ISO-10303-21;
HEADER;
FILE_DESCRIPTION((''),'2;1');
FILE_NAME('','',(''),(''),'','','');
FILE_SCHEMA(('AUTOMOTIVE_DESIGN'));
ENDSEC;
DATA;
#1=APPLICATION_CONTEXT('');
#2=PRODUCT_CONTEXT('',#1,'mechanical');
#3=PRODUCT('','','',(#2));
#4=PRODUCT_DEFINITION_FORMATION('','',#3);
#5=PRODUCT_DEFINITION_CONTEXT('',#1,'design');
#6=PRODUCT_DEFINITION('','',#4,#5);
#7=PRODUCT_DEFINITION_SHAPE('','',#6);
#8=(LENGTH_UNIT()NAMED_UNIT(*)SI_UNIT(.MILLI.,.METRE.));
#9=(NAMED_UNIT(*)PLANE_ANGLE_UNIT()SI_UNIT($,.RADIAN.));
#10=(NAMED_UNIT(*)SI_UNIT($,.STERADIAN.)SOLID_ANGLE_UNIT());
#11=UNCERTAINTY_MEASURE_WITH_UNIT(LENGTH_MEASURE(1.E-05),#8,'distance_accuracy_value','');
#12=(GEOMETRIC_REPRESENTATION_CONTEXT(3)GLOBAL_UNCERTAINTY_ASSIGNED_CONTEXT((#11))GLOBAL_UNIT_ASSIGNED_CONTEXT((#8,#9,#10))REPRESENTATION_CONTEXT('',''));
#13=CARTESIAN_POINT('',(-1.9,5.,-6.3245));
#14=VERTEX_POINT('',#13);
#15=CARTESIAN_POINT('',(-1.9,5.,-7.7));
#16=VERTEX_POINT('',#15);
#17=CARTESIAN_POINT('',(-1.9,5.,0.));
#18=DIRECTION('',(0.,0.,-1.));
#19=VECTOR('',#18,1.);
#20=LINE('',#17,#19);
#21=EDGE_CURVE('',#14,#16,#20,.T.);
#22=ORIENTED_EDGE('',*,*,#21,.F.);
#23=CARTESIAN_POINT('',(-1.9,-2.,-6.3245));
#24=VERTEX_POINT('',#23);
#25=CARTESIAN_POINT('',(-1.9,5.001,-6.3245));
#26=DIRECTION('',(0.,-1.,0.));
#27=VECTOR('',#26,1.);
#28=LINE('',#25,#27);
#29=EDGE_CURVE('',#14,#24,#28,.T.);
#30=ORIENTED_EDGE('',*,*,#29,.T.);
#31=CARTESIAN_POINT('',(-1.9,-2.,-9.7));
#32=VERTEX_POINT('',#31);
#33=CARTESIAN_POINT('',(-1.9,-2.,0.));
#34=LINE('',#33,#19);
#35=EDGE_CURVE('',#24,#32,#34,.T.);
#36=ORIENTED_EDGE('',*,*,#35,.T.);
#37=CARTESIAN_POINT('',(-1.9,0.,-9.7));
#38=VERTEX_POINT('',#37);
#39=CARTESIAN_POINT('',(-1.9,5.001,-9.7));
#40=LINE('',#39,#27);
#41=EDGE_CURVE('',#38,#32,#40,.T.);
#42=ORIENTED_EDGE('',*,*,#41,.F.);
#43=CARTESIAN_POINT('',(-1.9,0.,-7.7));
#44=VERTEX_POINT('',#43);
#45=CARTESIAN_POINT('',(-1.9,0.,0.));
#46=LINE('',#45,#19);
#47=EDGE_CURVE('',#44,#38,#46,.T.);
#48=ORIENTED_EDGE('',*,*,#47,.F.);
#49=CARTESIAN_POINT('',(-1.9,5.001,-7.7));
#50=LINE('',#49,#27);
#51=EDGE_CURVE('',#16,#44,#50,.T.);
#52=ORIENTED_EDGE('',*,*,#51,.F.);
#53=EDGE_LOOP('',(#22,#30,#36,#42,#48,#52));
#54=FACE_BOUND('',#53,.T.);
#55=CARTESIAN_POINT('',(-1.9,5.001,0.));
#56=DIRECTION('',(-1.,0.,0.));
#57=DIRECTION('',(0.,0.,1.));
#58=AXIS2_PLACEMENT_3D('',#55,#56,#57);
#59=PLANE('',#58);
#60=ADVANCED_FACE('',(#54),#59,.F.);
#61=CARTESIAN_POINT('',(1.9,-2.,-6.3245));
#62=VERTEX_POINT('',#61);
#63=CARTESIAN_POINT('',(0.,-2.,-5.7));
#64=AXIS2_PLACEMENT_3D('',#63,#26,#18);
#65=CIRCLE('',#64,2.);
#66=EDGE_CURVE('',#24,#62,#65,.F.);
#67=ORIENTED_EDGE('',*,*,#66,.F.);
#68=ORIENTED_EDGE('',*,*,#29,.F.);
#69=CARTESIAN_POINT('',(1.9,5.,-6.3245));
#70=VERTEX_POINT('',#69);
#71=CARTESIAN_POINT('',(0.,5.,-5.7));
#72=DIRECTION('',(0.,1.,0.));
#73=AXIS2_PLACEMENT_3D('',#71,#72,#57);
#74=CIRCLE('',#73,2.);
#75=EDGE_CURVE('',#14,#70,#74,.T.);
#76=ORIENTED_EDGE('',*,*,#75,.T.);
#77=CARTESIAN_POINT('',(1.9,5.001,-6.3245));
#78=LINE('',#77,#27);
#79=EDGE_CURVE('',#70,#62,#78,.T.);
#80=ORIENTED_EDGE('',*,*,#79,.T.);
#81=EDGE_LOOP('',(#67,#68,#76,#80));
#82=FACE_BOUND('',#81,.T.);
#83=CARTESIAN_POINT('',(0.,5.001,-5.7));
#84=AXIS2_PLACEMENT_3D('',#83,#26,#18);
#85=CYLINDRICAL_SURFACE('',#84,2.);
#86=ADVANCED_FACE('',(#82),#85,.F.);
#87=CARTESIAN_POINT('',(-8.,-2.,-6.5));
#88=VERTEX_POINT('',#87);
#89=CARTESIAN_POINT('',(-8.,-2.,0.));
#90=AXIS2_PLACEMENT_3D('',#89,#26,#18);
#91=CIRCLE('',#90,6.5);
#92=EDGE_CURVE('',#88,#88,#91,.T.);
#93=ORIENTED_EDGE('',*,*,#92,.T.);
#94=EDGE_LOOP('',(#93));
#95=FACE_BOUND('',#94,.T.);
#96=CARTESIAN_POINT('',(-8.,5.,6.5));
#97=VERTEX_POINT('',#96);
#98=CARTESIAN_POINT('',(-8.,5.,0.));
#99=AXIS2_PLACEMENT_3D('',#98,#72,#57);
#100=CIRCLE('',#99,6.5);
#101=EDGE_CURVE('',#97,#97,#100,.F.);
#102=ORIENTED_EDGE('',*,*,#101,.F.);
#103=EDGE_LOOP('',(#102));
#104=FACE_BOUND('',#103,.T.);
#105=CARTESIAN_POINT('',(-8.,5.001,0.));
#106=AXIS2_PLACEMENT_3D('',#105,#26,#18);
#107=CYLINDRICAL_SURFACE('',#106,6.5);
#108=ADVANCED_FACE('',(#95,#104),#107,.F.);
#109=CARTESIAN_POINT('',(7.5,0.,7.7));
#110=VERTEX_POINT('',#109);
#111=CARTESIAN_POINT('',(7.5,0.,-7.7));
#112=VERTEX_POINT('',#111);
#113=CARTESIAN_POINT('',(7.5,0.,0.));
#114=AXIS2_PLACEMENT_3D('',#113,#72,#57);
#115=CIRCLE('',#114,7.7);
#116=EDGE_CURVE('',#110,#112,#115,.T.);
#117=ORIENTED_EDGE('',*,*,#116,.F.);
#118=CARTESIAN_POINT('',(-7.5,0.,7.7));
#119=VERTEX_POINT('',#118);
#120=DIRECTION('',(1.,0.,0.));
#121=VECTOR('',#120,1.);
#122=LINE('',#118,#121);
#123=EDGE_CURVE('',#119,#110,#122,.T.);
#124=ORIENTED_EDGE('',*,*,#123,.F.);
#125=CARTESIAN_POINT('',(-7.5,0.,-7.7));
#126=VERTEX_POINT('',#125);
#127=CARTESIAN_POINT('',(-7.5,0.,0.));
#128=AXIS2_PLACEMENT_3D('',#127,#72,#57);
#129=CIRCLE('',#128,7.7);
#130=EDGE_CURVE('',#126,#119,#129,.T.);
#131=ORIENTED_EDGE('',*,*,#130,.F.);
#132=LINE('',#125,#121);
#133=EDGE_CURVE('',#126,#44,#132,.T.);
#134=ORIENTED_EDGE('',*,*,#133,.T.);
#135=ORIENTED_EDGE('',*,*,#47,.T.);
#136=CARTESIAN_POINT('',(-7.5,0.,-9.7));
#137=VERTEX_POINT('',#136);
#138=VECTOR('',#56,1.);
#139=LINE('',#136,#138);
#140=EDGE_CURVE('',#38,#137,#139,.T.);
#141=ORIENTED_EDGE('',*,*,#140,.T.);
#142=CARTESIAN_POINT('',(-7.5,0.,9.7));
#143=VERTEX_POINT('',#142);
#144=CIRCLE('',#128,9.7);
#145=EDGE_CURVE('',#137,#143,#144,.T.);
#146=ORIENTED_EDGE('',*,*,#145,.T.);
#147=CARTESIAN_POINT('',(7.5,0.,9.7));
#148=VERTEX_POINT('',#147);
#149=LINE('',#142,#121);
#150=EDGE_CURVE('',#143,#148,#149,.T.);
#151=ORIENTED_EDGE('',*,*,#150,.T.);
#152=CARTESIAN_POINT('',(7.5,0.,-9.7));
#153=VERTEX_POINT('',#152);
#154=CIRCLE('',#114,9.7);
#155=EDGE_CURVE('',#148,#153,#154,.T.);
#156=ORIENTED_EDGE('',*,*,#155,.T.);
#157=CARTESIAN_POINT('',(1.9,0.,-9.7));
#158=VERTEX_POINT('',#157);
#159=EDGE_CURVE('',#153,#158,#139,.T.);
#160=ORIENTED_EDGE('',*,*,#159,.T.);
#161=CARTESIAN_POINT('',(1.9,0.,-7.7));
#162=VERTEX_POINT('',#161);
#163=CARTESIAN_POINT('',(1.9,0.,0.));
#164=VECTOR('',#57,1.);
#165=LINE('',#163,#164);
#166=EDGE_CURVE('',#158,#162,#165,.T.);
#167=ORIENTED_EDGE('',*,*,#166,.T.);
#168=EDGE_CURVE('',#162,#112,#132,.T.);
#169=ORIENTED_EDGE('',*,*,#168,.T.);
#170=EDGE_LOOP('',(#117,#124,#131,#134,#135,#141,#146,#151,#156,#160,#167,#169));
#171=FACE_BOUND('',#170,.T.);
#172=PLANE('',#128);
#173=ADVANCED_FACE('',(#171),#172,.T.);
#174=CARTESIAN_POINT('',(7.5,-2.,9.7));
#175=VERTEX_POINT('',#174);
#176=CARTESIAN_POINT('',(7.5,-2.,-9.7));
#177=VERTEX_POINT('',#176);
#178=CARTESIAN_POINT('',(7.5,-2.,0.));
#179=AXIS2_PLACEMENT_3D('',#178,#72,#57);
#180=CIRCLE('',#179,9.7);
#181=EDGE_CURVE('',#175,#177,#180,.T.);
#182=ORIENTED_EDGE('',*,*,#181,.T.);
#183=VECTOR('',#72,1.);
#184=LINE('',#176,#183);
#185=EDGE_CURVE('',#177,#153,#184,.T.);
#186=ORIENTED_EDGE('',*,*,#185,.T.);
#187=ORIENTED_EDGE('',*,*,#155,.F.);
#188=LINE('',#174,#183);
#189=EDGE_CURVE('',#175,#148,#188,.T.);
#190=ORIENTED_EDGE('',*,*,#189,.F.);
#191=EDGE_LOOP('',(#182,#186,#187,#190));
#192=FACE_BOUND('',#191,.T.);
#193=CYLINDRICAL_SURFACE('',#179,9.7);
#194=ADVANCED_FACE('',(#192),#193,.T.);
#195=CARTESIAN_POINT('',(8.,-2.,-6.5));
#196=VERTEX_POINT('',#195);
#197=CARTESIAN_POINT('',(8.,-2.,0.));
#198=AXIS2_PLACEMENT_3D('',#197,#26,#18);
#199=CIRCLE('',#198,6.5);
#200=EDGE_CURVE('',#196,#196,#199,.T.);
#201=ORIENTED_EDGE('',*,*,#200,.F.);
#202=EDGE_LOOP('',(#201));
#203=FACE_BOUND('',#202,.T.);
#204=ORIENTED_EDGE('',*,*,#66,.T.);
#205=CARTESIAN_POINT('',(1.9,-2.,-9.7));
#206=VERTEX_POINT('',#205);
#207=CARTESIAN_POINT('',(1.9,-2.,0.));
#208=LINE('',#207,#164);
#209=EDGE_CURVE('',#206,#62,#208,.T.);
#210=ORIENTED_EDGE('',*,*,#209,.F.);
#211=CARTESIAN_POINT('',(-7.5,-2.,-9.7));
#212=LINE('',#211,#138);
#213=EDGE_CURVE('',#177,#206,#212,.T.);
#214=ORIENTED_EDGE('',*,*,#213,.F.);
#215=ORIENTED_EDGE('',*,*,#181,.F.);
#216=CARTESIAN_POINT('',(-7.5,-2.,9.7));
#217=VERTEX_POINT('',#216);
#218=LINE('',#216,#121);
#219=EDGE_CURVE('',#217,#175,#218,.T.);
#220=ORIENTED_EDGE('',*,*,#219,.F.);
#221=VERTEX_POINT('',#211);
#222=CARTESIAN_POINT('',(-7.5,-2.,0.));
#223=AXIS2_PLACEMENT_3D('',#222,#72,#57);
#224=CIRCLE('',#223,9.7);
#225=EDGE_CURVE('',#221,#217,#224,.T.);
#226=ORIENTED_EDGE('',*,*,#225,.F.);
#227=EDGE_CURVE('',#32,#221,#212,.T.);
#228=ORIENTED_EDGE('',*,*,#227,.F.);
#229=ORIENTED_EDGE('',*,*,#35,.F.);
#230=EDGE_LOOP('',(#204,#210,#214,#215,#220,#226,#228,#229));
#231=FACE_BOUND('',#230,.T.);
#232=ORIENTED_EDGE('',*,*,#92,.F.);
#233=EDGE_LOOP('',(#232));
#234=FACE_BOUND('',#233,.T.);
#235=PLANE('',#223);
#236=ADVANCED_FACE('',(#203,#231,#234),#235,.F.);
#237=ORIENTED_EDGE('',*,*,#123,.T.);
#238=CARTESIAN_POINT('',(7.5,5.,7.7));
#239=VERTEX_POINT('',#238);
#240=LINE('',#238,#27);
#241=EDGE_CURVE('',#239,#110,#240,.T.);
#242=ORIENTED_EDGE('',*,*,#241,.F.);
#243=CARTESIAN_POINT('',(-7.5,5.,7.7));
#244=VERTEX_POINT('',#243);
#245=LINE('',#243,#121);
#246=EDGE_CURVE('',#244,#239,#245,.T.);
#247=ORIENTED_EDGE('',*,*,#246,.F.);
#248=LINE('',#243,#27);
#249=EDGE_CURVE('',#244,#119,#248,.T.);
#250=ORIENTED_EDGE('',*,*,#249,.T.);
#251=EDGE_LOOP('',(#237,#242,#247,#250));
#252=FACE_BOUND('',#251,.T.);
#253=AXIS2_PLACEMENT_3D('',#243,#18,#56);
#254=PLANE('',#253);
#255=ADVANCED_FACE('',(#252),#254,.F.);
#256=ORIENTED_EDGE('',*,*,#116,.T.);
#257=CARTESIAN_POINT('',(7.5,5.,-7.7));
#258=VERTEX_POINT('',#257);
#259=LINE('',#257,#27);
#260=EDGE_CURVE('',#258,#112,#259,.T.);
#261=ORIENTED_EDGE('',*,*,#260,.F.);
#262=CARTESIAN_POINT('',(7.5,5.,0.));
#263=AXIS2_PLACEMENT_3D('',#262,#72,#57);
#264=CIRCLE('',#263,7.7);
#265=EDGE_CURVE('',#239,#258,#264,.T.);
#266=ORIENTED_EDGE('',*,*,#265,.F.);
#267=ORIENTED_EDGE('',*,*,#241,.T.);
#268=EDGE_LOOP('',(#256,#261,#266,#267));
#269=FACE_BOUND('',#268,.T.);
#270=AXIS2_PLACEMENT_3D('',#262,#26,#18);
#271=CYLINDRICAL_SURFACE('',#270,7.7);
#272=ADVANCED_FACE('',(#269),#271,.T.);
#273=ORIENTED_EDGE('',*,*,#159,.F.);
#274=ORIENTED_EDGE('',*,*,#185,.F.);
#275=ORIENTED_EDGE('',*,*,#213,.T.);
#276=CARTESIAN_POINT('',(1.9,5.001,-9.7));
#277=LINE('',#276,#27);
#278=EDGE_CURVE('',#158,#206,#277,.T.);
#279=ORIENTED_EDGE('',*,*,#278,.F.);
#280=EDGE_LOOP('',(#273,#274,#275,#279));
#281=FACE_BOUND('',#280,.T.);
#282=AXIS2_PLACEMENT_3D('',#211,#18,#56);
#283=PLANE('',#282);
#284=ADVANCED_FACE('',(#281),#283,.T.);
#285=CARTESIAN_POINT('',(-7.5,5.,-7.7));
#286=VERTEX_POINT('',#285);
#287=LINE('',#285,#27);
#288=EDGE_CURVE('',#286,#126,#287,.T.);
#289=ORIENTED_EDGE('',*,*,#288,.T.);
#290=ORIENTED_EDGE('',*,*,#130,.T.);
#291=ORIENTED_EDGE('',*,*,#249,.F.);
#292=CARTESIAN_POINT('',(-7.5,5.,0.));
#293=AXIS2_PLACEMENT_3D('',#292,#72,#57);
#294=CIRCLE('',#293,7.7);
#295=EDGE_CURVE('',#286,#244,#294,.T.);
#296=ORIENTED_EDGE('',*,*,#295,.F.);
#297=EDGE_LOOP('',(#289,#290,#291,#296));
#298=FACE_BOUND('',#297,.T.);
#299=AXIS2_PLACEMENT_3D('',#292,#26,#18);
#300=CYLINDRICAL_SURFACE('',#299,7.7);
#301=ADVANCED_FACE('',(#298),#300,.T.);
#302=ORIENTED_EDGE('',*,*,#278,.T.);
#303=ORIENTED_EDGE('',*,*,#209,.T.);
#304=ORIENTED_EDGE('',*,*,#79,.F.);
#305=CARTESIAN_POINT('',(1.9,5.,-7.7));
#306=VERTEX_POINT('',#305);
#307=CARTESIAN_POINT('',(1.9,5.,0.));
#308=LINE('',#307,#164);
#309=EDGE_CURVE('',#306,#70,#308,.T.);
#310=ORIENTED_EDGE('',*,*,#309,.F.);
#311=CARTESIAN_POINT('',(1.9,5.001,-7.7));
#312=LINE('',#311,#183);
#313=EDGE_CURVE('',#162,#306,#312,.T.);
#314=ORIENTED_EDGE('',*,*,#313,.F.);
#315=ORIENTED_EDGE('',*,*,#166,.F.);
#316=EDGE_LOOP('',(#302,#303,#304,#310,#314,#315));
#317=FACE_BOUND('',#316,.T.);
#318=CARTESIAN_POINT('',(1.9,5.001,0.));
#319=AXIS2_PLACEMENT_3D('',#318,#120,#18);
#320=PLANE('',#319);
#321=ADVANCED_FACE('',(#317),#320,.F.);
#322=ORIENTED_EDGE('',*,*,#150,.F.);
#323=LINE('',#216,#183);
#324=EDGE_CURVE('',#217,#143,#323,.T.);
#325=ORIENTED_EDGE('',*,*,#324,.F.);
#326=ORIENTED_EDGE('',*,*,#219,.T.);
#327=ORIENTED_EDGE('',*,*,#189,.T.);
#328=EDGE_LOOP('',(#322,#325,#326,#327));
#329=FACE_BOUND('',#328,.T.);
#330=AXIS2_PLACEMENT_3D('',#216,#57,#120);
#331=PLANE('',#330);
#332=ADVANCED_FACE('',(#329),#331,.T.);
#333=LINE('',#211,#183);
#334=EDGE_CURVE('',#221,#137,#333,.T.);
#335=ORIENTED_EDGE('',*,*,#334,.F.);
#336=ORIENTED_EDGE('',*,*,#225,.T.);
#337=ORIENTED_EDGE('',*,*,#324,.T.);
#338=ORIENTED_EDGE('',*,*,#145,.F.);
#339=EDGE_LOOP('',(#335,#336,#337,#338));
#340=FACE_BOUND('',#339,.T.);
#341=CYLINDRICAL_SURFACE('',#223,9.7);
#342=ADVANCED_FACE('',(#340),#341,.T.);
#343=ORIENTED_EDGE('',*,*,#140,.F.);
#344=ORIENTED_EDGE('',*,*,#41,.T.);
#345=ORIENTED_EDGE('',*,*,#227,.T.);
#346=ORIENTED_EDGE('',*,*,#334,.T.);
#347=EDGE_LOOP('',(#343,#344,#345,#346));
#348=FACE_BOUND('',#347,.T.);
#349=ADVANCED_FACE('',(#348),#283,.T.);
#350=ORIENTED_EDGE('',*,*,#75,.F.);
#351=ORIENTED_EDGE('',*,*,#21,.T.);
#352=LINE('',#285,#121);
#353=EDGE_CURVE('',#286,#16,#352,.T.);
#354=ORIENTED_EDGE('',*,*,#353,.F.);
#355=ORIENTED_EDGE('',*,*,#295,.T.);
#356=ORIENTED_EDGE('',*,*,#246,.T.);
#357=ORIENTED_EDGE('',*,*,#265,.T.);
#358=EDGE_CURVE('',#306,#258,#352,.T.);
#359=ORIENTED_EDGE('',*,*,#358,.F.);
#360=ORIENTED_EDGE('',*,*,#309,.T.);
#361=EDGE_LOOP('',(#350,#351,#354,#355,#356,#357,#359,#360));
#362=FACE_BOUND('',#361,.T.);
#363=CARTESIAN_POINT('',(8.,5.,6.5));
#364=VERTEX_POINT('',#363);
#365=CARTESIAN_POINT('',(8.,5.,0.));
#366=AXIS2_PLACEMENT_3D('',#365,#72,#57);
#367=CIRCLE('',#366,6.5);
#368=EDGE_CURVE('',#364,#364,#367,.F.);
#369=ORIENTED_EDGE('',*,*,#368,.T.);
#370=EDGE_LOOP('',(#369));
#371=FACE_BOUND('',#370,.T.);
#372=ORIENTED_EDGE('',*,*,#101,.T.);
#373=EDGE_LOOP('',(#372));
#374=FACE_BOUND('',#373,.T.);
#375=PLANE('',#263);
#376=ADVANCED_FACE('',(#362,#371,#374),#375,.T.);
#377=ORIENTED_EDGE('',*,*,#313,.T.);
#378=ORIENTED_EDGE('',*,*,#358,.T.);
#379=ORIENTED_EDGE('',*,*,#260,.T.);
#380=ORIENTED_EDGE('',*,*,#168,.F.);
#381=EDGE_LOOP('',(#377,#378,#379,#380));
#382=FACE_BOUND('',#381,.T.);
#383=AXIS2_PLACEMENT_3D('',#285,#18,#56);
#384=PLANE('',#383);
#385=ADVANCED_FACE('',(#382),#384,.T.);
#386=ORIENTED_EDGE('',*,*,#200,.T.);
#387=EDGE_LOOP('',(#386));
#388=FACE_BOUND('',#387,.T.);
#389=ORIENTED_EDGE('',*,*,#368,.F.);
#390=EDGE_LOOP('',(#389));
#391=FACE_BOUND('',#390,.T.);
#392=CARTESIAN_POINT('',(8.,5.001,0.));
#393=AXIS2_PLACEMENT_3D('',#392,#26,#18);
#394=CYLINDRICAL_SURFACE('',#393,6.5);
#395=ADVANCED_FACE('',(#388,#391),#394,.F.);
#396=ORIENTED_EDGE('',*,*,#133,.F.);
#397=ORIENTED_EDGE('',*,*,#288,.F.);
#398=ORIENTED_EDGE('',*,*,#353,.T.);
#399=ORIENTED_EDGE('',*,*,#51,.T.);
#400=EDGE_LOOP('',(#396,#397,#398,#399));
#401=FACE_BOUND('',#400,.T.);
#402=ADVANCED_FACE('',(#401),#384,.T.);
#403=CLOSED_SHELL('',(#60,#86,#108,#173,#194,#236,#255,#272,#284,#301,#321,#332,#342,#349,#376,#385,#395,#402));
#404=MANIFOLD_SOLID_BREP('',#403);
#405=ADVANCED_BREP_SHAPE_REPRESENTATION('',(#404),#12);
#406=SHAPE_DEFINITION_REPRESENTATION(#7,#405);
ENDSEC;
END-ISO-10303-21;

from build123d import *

# Parameters (mm, degrees)
EXTRUDE_1_DEPTH     = 2
EXTRUDE_2_DEPTH     = 5
CUT_EXTRUDE_1_REACH = 22.951
SKETCH_3_R          = 6.5


with BuildPart() as part:
    # 草圖2 → 填料-伸長1 (new body)
    with BuildSketch(Plane(origin=(0, 0, 0), x_dir=(1, 0, 0), z_dir=(0, 1, 0))):
        with BuildLine():
            Line((-7.5, 9.7), (7.5, 9.7))
            ThreePointArc((7.5, 9.7), (17.2, 0), (7.5, -9.7))
            Line((7.5, -9.7), (-7.5, -9.7))
            ThreePointArc((-7.5, -9.7), (-17.2, 0), (-7.5, 9.7))
        make_face()
    extrude(amount=-EXTRUDE_1_DEPTH)

    # 草圖1 → 填料-伸長2 (add)
    with BuildSketch(Plane(origin=(0, 0, 0), x_dir=(1, 0, 0), z_dir=(0, 1, 0))):
        with BuildLine():
            Line((-7.5, 7.7), (7.5, 7.7))
            ThreePointArc((7.5, 7.7), (15.2, 0), (7.5, -7.7))
            Line((7.5, -7.7), (-7.5, -7.7))
            ThreePointArc((-7.5, -7.7), (-15.2, 0), (-7.5, 7.7))
        make_face()
    extrude(amount=EXTRUDE_2_DEPTH)

    # 草圖3 → 除料-伸長1 (cut, up to next)
    with BuildSketch(Plane.XZ.offset(2), mode=Mode.PRIVATE) as cut_extrude_1_sk1:
        with Locations(Location((-8, 0, 0), (0, 0, 270))):
            Circle(SKETCH_3_R)
    cut_extrude_1_tool1 = extrude(cut_extrude_1_sk1.sketch, amount=-CUT_EXTRUDE_1_REACH, mode=Mode.PRIVATE) & part.part
    # 草圖3 → 除料-伸長1 (cut, up to next)
    with BuildSketch(Plane.XZ.offset(2), mode=Mode.PRIVATE) as cut_extrude_1_sk2:
        with Locations(Location((8, 0, 0), (0, 0, 270))):
            Circle(SKETCH_3_R)
    cut_extrude_1_tool2 = extrude(cut_extrude_1_sk2.sketch, amount=-CUT_EXTRUDE_1_REACH, mode=Mode.PRIVATE) & part.part
    # 草圖3 → 除料-伸長1 (cut, up to next)
    with BuildSketch(Plane.XZ.offset(2), mode=Mode.PRIVATE) as cut_extrude_1_sk3:
        with BuildLine():
            ThreePointArc((2, -5.7), (0, -3.7), (-2, -5.7))
            Line((-2, -5.7), (2, -5.7))
        make_face()
    cut_extrude_1_tool3 = extrude(cut_extrude_1_sk3.sketch, amount=-CUT_EXTRUDE_1_REACH, mode=Mode.PRIVATE) & part.part
    # 草圖3 → 除料-伸長1 (cut, up to next)
    with BuildSketch(Plane.XZ.offset(2), mode=Mode.PRIVATE) as cut_extrude_1_sk4:
        with BuildLine():
            Line((2, -5.7), (-2, -5.7))
            ThreePointArc((-2, -5.7), (-1.974841766, -6.016227766), (-1.9, -6.3244998))
            Line((-1.9, -6.3244998), (-1.9, -9.7))
            Line((-1.9, -9.7), (1.9, -9.7))
            Line((1.9, -9.7), (1.9, -6.3244998))
            ThreePointArc((1.9, -6.3244998), (1.974841766, -6.016227766), (2, -5.7))
        make_face()
    cut_extrude_1_tool4 = extrude(cut_extrude_1_sk4.sketch, amount=-CUT_EXTRUDE_1_REACH, mode=Mode.PRIVATE) & part.part
    add(cut_extrude_1_tool1.solids().sort_by_distance((-8, -2, 0))[0], mode=Mode.SUBTRACT)
    add(cut_extrude_1_tool2.solids().sort_by_distance((8, -2, 0))[0], mode=Mode.SUBTRACT)
    add(cut_extrude_1_tool3.solids().sort_by_distance((0, -2, -4.851174))[0], mode=Mode.SUBTRACT)
    add(cut_extrude_1_tool4.solids().sort_by_distance((0, -2, -7.690335))[0], mode=Mode.SUBTRACT)


solid = part.part
